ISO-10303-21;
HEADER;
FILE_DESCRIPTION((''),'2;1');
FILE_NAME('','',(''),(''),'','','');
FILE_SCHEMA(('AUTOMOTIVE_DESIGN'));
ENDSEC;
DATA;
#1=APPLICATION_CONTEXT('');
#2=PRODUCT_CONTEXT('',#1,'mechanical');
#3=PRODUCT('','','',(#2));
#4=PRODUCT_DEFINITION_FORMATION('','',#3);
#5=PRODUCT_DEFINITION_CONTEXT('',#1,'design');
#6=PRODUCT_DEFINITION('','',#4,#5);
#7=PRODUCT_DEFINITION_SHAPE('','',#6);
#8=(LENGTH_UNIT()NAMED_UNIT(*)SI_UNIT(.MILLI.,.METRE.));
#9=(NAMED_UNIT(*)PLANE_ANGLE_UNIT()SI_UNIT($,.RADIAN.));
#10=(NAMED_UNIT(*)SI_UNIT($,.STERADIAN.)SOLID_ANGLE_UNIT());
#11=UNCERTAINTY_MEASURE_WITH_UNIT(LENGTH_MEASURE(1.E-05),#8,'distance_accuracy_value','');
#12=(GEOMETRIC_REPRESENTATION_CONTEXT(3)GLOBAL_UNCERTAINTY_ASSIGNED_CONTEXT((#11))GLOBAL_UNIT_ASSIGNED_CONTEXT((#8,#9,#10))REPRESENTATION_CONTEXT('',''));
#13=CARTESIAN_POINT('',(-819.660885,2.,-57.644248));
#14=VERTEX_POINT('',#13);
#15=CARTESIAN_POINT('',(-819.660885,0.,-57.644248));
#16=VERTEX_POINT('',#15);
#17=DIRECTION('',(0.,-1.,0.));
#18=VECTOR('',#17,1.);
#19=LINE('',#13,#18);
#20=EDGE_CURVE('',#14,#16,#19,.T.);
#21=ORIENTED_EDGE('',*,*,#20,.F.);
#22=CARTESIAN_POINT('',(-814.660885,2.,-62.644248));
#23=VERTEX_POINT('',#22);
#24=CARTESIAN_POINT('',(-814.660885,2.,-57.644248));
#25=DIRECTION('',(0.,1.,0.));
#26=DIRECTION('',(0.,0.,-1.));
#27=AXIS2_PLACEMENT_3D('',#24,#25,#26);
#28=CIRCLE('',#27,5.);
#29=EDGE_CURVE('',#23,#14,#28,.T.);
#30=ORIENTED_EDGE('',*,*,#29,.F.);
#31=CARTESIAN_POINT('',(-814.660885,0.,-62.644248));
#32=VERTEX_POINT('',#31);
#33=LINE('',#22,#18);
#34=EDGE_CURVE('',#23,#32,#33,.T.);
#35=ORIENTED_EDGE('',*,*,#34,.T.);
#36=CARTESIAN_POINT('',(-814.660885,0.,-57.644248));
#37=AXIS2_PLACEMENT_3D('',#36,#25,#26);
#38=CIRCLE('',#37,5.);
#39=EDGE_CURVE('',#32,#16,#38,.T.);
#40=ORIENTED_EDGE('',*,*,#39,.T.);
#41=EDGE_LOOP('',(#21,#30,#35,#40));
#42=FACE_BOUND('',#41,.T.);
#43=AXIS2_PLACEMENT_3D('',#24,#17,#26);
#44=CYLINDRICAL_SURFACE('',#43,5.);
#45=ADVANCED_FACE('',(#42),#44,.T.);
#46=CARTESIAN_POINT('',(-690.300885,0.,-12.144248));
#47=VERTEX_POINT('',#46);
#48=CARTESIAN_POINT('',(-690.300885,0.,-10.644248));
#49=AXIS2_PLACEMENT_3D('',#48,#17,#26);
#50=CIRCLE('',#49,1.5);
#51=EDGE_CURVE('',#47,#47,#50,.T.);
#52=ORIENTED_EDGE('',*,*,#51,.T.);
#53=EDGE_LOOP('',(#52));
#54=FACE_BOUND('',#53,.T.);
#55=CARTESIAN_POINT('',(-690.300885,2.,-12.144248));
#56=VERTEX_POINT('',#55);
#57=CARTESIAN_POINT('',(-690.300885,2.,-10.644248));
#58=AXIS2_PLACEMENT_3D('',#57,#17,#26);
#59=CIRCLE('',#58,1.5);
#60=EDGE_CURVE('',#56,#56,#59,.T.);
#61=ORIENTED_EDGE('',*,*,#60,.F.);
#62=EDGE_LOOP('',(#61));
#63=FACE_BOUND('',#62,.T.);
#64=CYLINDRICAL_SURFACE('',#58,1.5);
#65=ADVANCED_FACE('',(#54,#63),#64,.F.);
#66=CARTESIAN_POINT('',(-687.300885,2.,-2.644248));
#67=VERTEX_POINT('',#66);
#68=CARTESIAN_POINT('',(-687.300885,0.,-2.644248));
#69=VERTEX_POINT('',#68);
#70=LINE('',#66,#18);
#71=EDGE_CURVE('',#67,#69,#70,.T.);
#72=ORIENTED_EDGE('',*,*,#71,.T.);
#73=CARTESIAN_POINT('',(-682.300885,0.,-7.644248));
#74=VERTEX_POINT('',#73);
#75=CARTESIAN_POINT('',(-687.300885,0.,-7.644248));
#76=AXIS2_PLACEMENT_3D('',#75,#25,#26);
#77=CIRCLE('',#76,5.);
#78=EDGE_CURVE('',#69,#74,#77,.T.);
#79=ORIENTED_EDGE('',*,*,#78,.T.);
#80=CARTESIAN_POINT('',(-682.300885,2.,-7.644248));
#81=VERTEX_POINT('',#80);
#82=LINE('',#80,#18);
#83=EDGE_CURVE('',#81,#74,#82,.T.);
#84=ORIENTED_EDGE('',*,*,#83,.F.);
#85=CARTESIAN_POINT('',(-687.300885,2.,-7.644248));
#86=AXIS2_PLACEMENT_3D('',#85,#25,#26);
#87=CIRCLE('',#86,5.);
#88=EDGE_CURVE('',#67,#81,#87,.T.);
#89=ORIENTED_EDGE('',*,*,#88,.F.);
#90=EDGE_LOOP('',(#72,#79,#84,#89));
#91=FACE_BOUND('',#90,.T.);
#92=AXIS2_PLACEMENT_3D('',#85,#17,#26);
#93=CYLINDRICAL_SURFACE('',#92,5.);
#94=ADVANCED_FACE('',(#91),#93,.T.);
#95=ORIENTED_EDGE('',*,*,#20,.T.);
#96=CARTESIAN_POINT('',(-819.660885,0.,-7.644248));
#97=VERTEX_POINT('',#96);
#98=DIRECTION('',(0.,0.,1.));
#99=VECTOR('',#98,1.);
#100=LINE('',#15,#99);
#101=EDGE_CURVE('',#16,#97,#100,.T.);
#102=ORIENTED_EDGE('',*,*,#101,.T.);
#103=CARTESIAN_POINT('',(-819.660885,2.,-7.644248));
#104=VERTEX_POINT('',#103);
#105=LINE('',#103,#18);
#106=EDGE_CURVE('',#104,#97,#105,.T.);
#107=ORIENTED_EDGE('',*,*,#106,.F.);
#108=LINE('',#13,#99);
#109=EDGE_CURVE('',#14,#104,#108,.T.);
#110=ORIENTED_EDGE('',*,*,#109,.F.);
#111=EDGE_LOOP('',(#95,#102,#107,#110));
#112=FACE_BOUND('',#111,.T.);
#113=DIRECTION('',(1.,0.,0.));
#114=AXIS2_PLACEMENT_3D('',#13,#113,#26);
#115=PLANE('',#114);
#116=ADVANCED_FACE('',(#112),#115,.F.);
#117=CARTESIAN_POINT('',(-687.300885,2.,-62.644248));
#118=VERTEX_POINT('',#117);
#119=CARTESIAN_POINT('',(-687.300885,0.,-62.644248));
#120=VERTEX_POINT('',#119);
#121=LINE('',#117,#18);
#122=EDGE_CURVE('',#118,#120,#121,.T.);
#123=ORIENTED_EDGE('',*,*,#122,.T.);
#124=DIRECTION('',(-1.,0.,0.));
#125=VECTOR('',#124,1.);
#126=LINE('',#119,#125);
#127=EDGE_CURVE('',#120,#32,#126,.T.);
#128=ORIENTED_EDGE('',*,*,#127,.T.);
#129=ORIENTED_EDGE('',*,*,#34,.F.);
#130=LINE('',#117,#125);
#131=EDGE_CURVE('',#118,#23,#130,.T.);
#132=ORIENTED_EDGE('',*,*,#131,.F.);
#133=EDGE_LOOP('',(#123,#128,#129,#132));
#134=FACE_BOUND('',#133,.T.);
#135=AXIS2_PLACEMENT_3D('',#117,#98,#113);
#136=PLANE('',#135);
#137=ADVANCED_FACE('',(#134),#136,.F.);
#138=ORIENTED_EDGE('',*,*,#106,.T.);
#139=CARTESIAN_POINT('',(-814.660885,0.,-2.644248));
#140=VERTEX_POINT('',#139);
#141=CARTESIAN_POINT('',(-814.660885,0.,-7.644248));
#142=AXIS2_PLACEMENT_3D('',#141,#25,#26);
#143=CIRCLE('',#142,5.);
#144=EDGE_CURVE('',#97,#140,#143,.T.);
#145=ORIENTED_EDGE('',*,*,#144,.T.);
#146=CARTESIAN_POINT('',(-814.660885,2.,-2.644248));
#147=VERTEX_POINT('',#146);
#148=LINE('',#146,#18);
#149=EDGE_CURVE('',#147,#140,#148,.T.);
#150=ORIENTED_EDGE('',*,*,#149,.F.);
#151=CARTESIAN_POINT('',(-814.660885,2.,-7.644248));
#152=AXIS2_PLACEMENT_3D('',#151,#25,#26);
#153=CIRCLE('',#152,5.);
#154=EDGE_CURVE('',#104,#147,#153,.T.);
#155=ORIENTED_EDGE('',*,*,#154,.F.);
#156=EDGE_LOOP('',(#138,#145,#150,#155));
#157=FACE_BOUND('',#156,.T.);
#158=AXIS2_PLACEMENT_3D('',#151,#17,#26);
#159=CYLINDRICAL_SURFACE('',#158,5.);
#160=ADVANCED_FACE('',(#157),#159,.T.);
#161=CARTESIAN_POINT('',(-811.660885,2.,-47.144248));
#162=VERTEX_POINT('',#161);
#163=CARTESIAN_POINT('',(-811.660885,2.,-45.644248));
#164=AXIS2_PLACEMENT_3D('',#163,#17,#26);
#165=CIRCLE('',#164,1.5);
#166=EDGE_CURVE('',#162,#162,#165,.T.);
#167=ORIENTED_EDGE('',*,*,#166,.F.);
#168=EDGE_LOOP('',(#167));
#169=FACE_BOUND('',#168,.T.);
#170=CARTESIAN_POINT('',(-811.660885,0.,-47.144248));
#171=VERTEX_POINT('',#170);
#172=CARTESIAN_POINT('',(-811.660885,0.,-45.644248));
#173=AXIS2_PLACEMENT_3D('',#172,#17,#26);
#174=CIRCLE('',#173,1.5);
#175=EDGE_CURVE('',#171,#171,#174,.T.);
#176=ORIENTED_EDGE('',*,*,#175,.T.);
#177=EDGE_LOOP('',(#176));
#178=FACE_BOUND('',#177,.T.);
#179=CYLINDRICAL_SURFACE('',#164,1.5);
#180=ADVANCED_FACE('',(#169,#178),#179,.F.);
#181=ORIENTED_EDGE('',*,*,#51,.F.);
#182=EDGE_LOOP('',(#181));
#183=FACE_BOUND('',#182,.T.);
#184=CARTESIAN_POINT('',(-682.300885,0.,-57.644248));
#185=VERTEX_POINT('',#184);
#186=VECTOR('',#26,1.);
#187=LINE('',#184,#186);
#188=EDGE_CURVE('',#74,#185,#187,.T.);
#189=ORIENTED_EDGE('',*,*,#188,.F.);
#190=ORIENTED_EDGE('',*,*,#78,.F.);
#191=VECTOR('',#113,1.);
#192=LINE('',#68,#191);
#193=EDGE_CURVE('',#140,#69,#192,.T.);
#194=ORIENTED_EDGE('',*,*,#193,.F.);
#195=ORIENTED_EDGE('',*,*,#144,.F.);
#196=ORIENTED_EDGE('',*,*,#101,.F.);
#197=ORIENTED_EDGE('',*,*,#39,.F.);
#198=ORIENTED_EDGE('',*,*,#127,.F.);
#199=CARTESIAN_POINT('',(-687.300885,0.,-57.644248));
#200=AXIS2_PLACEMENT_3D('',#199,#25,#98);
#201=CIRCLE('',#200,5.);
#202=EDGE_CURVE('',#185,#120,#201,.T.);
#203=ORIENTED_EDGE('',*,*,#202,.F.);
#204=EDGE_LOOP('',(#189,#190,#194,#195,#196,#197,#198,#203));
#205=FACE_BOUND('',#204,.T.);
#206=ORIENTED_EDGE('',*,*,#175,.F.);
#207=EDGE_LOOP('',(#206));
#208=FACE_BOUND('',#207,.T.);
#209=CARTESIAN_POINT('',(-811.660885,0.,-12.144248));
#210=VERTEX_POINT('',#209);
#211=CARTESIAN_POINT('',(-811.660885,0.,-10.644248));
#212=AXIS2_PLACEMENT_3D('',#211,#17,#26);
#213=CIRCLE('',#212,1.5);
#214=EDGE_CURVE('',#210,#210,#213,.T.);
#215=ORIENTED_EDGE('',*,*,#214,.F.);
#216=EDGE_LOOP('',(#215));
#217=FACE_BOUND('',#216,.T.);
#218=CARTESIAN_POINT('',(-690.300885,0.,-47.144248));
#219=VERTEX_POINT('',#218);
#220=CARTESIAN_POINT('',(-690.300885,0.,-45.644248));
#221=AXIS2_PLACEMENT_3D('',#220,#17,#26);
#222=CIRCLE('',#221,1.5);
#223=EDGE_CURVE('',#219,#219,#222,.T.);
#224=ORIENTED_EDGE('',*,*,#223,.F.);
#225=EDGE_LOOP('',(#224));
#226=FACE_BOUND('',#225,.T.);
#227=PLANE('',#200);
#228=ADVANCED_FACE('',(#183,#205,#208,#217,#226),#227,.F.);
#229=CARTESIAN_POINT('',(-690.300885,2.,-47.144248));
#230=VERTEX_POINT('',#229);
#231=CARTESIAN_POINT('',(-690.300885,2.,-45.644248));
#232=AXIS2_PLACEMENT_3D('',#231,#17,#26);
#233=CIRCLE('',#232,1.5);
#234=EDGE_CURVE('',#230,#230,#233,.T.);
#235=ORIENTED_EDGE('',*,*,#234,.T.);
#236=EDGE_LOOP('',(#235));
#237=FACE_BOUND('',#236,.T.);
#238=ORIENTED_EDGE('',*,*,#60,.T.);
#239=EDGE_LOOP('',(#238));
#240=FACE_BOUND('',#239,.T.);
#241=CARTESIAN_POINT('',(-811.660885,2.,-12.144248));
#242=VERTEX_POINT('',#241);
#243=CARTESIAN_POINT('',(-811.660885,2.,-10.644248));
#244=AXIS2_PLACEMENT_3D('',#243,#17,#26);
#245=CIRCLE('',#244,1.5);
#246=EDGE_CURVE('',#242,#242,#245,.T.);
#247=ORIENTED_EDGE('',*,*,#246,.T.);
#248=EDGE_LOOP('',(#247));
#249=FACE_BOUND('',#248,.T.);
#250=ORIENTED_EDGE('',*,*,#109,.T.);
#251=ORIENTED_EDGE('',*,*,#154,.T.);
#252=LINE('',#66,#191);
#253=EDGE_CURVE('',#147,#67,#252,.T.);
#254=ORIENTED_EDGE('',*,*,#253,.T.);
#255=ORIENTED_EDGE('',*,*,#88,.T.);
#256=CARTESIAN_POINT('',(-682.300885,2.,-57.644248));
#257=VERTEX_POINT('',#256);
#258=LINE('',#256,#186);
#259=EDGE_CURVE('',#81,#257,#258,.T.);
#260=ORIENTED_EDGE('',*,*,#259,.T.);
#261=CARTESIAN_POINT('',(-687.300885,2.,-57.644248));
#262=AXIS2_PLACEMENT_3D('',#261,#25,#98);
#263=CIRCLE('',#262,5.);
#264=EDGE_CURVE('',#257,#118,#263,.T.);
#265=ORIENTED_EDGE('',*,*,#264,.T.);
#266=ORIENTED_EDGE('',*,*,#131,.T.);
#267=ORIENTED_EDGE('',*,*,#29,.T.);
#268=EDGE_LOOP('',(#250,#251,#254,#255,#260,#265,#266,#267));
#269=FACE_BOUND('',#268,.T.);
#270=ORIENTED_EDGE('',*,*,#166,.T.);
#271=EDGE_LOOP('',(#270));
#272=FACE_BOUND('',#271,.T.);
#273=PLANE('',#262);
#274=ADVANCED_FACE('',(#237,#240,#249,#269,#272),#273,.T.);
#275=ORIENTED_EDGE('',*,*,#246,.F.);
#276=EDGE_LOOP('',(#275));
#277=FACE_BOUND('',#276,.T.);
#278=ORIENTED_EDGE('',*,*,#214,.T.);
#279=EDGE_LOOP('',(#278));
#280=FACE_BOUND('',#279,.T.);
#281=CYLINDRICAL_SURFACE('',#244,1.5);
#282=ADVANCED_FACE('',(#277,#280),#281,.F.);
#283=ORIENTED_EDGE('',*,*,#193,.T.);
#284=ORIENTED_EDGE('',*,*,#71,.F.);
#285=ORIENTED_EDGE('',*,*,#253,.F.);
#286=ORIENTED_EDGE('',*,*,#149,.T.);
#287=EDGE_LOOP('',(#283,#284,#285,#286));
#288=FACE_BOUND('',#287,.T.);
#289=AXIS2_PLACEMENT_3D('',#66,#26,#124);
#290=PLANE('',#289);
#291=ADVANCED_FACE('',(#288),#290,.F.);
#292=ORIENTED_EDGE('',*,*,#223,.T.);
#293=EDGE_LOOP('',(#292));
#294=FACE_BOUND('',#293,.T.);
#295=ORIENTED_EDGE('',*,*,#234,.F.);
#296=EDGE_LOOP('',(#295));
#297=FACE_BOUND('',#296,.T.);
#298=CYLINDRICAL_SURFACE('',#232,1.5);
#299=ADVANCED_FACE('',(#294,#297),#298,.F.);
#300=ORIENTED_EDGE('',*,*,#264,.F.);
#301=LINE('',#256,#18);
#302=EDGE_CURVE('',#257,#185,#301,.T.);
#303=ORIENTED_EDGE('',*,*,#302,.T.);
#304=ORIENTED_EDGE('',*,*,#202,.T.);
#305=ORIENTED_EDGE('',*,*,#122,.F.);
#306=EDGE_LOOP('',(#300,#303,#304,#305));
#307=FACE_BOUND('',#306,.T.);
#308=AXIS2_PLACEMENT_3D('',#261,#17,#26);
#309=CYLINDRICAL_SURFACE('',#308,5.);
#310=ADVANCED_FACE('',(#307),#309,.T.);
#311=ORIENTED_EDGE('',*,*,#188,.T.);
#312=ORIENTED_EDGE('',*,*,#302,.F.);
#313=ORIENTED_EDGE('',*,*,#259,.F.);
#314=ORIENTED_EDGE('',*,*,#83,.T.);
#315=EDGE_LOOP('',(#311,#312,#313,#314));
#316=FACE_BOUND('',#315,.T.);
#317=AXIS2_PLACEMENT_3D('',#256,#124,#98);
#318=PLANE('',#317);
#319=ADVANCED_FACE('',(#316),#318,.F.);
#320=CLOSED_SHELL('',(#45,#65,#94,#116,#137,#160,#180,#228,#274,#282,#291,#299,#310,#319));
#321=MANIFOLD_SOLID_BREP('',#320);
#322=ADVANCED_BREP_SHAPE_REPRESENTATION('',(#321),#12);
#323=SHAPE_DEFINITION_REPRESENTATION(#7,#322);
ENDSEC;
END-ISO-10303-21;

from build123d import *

# Parameters (mm, degrees)
BOSS_EXTRUDE1_DEPTH = 2
SKETCH4_R           = 1.5
CUT_EXTRUDE1_DEPTH  = 3


with BuildPart() as part:
    # Sketch1 → Boss-Extrude1 (new body)
    with BuildSketch(Plane(origin=(0, 0, 0), x_dir=(1, 0, 0), z_dir=(0, 1, 0))):
        with BuildLine():
            Line((-687.300884956, 62.644247788), (-814.660884956, 62.644247788))
            ThreePointArc((-814.660884956, 62.644247788), (-818.196418862, 61.179781694), (-819.660884956, 57.644247788))
            Line((-819.660884956, 57.644247788), (-819.660884956, 7.644247788))
            ThreePointArc((-819.660884956, 7.644247788), (-818.196418862, 4.108713882), (-814.660884956, 2.644247788))
            Line((-814.660884956, 2.644247788), (-687.300884956, 2.644247788))
            ThreePointArc((-687.300884956, 2.644247788), (-683.76535105, 4.108713882), (-682.300884956, 7.644247788))
            Line((-682.300884956, 7.644247788), (-682.300884956, 57.644247788))
            ThreePointArc((-682.300884956, 57.644247788), (-683.76535105, 61.179781694), (-687.300884956, 62.644247788))
        make_face()
    extrude(amount=BOSS_EXTRUDE1_DEPTH)

    # Sketch4 → Cut-Extrude1 (cut, through all)
    with BuildSketch(Plane.XZ):
        with Locations((-811.660884956, -10.644247788)):
            Circle(SKETCH4_R)
        with Locations((-811.660884956, -45.644247788)):
            Circle(SKETCH4_R)
        with Locations((-690.300884956, -10.644247788)):
            Circle(SKETCH4_R)
        with Locations((-690.300884956, -45.644247788)):
            Circle(SKETCH4_R)
    extrude(amount=-CUT_EXTRUDE1_DEPTH, mode=Mode.SUBTRACT)


solid = part.part
